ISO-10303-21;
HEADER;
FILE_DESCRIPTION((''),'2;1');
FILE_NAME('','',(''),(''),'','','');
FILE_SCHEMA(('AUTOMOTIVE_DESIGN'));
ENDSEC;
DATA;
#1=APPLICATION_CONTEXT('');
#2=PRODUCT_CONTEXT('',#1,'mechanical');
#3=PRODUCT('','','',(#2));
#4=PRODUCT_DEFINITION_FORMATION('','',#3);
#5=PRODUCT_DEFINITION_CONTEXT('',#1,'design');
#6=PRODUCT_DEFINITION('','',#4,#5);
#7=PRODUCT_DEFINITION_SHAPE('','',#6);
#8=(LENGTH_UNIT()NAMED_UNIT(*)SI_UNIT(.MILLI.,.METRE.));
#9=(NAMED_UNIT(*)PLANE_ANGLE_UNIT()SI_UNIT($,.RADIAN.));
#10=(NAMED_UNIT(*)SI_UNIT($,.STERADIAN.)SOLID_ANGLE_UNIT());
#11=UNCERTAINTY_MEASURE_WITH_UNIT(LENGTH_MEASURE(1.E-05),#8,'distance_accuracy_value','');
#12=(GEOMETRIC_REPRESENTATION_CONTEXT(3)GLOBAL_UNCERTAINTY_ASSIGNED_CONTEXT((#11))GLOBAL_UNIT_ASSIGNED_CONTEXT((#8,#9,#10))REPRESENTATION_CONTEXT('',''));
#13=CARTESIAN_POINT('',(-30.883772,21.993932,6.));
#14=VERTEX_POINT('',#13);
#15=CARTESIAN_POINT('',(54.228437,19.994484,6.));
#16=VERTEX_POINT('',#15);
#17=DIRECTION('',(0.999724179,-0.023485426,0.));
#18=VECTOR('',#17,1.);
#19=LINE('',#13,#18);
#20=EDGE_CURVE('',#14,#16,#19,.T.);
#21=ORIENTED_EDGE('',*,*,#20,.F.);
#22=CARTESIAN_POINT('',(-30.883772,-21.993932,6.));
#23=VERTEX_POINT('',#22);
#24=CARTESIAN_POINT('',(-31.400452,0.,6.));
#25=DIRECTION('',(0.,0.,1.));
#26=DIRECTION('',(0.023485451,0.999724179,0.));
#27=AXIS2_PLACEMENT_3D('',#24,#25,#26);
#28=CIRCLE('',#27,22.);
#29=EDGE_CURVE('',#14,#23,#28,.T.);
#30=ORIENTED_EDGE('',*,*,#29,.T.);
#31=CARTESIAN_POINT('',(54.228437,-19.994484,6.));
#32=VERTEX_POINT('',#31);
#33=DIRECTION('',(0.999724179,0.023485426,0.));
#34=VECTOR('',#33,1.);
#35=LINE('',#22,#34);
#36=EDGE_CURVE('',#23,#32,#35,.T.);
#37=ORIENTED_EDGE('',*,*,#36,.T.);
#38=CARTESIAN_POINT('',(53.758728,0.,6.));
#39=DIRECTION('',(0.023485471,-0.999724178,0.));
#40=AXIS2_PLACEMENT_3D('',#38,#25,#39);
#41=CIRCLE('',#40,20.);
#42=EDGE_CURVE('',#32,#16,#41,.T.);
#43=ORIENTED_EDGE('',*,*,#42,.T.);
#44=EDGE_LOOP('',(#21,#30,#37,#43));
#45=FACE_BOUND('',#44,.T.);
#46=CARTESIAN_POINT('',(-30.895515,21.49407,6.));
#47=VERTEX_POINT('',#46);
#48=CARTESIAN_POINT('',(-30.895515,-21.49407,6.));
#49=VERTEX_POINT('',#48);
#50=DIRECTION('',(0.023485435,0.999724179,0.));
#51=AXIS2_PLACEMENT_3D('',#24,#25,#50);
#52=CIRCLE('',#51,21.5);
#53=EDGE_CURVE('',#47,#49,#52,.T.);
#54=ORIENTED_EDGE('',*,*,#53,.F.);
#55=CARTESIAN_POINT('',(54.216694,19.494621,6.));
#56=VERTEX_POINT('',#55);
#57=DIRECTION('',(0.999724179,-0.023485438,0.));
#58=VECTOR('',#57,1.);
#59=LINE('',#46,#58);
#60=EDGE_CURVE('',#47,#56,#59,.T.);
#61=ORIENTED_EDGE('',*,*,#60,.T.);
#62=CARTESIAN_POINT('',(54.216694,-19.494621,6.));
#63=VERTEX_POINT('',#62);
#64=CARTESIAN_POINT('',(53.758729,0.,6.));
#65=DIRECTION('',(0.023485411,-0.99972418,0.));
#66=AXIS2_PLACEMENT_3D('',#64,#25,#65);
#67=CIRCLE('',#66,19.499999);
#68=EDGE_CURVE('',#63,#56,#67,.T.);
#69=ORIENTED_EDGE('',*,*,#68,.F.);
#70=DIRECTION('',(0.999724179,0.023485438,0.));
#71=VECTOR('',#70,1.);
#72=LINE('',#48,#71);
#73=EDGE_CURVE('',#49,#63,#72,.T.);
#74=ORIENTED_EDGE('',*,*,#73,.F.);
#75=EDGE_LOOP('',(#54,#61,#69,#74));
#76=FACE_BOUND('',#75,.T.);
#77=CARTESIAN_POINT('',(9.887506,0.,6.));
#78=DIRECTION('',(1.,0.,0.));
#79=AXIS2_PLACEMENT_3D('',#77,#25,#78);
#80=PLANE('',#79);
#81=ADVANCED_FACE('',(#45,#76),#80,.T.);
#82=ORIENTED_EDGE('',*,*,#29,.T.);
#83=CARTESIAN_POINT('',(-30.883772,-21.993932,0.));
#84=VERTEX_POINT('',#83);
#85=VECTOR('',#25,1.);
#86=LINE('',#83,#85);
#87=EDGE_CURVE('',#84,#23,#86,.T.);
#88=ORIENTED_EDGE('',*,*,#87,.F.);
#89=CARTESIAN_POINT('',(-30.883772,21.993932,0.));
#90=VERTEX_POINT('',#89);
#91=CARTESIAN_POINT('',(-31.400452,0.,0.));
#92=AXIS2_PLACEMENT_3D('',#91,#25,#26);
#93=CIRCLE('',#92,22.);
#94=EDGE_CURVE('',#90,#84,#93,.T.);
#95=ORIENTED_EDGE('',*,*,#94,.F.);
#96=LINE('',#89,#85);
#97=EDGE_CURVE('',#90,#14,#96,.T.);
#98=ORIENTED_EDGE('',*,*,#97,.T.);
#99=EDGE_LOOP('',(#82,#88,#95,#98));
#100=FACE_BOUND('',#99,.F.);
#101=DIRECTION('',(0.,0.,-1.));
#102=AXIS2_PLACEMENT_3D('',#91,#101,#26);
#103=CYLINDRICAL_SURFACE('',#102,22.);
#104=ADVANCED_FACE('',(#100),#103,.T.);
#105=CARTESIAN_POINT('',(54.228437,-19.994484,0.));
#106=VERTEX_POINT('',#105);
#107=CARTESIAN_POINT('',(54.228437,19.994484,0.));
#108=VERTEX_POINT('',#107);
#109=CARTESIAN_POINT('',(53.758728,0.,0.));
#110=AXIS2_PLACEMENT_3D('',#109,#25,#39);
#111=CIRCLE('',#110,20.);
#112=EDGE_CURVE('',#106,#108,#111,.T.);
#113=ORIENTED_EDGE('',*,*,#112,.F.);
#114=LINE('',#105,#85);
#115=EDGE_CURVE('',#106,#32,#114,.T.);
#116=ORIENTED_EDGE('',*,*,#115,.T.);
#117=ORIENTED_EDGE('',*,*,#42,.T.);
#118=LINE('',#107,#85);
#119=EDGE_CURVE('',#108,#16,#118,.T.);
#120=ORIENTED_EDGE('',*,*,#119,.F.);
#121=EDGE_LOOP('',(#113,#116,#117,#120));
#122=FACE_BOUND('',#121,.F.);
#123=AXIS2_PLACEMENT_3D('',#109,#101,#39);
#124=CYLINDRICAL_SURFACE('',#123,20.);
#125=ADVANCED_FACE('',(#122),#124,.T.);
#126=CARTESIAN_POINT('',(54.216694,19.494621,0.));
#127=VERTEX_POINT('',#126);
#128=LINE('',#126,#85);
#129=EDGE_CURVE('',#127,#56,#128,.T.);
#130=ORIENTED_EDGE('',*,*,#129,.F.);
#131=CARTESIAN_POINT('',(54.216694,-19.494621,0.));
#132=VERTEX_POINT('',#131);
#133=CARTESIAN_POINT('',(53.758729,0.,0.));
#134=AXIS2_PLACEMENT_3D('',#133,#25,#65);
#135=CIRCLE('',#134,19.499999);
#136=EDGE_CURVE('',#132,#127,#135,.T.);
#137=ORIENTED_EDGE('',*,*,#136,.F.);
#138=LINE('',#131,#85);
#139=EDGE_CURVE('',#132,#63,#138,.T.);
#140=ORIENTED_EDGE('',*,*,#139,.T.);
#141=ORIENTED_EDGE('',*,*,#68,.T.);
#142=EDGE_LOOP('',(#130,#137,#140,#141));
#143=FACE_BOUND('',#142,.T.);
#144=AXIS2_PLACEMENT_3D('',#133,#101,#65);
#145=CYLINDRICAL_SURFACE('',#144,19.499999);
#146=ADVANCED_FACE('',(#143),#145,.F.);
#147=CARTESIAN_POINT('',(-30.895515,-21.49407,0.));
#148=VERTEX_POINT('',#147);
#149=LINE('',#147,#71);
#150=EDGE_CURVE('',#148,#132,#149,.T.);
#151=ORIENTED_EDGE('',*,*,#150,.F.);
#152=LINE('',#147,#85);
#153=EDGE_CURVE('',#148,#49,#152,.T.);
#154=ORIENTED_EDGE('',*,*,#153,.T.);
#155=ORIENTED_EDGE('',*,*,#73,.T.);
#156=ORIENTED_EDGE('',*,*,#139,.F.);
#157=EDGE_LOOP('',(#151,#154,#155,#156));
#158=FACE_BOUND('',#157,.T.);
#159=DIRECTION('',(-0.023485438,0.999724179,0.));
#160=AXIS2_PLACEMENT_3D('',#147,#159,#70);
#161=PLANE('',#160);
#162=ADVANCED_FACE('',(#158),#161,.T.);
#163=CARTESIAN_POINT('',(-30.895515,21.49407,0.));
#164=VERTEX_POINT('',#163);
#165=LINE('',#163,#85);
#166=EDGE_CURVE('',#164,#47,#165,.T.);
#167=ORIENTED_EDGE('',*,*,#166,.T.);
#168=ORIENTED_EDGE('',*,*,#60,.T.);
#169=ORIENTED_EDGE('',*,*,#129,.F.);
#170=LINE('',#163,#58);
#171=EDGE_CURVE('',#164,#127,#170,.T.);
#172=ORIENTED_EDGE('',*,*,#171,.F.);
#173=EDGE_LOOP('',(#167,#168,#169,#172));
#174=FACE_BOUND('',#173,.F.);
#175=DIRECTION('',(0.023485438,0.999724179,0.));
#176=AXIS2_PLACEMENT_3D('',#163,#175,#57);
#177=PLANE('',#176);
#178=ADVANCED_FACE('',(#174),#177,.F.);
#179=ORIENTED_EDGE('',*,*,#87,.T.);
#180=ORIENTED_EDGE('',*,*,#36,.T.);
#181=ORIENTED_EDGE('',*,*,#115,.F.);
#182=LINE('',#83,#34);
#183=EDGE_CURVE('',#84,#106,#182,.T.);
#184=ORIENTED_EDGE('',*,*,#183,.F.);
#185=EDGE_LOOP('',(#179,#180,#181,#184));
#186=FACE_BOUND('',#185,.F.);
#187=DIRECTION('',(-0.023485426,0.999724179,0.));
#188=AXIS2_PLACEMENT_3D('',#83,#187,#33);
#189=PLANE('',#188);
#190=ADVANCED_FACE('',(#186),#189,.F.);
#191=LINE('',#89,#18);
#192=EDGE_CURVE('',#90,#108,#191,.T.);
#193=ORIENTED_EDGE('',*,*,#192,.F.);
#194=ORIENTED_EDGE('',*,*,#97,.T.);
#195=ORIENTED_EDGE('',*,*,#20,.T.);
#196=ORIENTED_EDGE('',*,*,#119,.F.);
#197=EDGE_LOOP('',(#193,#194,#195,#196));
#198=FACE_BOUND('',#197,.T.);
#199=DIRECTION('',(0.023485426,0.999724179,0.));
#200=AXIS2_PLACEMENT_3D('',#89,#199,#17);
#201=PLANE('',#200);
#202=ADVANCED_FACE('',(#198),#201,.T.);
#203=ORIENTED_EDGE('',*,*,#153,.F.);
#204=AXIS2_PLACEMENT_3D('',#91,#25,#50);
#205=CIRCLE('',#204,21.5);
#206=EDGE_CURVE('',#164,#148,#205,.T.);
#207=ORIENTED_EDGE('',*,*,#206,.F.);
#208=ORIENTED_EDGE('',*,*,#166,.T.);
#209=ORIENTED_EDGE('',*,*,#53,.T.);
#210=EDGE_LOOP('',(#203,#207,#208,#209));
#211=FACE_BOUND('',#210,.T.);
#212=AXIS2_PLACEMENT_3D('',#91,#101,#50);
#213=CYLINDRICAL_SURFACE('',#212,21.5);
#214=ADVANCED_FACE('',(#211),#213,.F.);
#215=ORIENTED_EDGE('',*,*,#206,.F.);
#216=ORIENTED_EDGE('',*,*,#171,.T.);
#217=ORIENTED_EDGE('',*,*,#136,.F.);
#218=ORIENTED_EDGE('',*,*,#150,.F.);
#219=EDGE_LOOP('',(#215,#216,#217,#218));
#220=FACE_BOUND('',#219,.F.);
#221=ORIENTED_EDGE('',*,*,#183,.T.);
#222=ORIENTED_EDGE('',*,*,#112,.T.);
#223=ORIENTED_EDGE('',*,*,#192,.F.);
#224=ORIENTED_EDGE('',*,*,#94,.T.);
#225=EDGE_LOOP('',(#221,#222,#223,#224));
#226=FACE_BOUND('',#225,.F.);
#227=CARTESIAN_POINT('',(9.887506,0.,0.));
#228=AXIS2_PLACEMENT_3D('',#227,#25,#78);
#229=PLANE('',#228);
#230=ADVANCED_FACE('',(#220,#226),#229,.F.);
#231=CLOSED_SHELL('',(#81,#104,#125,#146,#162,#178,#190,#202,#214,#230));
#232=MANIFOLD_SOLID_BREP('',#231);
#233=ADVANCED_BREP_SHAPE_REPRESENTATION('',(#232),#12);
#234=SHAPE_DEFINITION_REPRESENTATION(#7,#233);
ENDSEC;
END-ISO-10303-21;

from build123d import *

# Parameters (mm, degrees)
PAD_DEPTH = 6


with BuildPart() as part:
    # Sketch → Pad (new body)
    with BuildSketch(Plane.XY):
        with BuildLine():
            ThreePointArc((-30.883772, 21.993932), (-53.400452, 0), (-30.883772, -21.993932))
            Line((-30.883772, -21.993932), (54.228437, -19.994484))
            ThreePointArc((54.228437, -19.994484), (73.758728, 0), (54.228437, 19.994484))
            Line((-30.883772, 21.993932), (54.228437, 19.994484))
        make_face()
        with BuildLine():
            ThreePointArc((-30.895515, 21.49407), (-52.900452, 0), (-30.895515, -21.49407))
            Line((-30.895515, -21.49407), (54.216694, -19.494621))
            ThreePointArc((54.216694, -19.494621), (73.258728, 0), (54.216694, 19.494621))
            Line((-30.895515, 21.49407), (54.216694, 19.494621))
        make_face(mode=Mode.SUBTRACT)
    extrude(amount=PAD_DEPTH)


solid = part.part
